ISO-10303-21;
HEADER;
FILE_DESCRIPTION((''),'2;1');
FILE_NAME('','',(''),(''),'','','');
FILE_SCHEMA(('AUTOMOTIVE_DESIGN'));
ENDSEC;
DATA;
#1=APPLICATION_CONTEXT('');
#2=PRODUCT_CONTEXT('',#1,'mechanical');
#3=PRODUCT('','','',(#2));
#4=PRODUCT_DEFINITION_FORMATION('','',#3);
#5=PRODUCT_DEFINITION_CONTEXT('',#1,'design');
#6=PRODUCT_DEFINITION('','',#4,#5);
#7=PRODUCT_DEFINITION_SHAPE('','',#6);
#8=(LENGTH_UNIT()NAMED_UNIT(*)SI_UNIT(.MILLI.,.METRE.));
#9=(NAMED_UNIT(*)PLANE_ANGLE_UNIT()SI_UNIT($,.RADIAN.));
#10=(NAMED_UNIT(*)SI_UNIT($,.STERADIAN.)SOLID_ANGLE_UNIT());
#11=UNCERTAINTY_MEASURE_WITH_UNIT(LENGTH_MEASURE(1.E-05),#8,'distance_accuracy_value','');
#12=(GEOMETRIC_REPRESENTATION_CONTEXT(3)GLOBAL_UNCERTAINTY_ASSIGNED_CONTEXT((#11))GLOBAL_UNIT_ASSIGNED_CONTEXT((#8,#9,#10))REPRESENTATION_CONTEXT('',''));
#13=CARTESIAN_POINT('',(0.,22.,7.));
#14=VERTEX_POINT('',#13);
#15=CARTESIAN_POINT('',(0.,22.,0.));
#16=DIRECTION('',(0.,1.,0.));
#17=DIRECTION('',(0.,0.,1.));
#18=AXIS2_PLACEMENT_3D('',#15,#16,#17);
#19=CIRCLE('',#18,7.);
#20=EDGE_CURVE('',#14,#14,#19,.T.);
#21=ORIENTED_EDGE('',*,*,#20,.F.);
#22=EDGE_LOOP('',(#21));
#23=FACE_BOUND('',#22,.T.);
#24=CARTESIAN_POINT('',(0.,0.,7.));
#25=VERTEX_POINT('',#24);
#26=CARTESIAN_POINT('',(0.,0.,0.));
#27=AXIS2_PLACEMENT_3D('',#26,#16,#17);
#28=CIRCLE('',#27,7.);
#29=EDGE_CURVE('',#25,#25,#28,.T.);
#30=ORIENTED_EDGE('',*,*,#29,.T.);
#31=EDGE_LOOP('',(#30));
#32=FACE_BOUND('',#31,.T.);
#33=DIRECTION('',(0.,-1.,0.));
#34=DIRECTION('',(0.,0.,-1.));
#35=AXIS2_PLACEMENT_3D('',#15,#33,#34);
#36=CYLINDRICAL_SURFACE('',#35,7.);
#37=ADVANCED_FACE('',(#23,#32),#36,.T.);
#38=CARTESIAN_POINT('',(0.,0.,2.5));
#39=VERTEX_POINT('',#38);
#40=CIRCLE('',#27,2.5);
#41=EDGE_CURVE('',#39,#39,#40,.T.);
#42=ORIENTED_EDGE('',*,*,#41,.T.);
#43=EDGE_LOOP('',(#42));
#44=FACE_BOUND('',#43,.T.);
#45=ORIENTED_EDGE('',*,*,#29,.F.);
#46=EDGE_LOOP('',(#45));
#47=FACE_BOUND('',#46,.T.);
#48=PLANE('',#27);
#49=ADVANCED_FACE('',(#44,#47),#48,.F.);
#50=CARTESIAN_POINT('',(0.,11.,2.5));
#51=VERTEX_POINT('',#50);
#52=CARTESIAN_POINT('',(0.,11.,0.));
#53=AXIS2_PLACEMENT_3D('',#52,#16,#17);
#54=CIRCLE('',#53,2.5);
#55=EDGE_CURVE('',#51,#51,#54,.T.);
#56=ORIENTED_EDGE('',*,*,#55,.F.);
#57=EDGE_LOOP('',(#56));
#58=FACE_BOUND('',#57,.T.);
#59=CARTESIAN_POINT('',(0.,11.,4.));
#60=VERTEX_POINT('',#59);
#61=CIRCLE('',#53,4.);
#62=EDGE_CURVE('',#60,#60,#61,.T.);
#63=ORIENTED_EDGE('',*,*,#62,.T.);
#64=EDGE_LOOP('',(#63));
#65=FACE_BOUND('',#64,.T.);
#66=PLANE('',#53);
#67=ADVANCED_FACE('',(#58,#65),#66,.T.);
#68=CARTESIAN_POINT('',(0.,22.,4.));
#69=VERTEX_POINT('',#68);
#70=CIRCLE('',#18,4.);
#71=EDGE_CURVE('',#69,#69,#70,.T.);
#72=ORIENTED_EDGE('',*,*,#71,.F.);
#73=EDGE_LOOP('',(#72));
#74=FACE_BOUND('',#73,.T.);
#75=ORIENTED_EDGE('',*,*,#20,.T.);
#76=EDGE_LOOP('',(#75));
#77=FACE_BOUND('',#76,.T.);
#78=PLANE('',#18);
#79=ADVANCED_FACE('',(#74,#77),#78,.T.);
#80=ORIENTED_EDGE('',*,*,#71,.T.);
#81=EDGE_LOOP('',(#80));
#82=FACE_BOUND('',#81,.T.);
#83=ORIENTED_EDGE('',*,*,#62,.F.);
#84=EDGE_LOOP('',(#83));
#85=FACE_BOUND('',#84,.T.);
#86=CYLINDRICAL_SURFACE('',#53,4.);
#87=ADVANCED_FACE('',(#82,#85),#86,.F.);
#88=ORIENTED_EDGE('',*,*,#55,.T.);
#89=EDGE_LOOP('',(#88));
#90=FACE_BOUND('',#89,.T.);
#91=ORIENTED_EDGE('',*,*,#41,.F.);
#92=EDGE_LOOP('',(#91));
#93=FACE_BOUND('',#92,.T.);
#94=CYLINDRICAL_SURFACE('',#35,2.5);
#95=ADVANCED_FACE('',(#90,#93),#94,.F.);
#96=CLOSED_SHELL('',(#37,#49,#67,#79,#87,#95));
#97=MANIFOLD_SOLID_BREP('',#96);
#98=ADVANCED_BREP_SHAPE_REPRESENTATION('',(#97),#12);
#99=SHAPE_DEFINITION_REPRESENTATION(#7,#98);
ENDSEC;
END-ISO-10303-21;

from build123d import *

# Parameters (mm, degrees)
SKETCH1_R           = 7
SKETCH1_R_2         = 2.5
BOSS_EXTRUDE1_DEPTH = 22
SKETCH2_R           = 4
CUT_EXTRUDE1_DEPTH  = 11


with BuildPart() as part:
    # Sketch1 → Boss-Extrude1 (new body)
    with BuildSketch(Plane(origin=(0, 0, 0), x_dir=(1, 0, 0), z_dir=(0, 1, 0))):
        Circle(SKETCH1_R)
        Circle(SKETCH1_R_2, mode=Mode.SUBTRACT)
    extrude(amount=BOSS_EXTRUDE1_DEPTH)

    # Sketch2 → Cut-Extrude1 (cut)
    with BuildSketch(Plane(origin=(0, 22, 0), x_dir=(1, 0, 0), z_dir=(0, 1, 0))):
        Circle(SKETCH2_R)
    extrude(amount=-CUT_EXTRUDE1_DEPTH, mode=Mode.SUBTRACT)


solid = part.part
